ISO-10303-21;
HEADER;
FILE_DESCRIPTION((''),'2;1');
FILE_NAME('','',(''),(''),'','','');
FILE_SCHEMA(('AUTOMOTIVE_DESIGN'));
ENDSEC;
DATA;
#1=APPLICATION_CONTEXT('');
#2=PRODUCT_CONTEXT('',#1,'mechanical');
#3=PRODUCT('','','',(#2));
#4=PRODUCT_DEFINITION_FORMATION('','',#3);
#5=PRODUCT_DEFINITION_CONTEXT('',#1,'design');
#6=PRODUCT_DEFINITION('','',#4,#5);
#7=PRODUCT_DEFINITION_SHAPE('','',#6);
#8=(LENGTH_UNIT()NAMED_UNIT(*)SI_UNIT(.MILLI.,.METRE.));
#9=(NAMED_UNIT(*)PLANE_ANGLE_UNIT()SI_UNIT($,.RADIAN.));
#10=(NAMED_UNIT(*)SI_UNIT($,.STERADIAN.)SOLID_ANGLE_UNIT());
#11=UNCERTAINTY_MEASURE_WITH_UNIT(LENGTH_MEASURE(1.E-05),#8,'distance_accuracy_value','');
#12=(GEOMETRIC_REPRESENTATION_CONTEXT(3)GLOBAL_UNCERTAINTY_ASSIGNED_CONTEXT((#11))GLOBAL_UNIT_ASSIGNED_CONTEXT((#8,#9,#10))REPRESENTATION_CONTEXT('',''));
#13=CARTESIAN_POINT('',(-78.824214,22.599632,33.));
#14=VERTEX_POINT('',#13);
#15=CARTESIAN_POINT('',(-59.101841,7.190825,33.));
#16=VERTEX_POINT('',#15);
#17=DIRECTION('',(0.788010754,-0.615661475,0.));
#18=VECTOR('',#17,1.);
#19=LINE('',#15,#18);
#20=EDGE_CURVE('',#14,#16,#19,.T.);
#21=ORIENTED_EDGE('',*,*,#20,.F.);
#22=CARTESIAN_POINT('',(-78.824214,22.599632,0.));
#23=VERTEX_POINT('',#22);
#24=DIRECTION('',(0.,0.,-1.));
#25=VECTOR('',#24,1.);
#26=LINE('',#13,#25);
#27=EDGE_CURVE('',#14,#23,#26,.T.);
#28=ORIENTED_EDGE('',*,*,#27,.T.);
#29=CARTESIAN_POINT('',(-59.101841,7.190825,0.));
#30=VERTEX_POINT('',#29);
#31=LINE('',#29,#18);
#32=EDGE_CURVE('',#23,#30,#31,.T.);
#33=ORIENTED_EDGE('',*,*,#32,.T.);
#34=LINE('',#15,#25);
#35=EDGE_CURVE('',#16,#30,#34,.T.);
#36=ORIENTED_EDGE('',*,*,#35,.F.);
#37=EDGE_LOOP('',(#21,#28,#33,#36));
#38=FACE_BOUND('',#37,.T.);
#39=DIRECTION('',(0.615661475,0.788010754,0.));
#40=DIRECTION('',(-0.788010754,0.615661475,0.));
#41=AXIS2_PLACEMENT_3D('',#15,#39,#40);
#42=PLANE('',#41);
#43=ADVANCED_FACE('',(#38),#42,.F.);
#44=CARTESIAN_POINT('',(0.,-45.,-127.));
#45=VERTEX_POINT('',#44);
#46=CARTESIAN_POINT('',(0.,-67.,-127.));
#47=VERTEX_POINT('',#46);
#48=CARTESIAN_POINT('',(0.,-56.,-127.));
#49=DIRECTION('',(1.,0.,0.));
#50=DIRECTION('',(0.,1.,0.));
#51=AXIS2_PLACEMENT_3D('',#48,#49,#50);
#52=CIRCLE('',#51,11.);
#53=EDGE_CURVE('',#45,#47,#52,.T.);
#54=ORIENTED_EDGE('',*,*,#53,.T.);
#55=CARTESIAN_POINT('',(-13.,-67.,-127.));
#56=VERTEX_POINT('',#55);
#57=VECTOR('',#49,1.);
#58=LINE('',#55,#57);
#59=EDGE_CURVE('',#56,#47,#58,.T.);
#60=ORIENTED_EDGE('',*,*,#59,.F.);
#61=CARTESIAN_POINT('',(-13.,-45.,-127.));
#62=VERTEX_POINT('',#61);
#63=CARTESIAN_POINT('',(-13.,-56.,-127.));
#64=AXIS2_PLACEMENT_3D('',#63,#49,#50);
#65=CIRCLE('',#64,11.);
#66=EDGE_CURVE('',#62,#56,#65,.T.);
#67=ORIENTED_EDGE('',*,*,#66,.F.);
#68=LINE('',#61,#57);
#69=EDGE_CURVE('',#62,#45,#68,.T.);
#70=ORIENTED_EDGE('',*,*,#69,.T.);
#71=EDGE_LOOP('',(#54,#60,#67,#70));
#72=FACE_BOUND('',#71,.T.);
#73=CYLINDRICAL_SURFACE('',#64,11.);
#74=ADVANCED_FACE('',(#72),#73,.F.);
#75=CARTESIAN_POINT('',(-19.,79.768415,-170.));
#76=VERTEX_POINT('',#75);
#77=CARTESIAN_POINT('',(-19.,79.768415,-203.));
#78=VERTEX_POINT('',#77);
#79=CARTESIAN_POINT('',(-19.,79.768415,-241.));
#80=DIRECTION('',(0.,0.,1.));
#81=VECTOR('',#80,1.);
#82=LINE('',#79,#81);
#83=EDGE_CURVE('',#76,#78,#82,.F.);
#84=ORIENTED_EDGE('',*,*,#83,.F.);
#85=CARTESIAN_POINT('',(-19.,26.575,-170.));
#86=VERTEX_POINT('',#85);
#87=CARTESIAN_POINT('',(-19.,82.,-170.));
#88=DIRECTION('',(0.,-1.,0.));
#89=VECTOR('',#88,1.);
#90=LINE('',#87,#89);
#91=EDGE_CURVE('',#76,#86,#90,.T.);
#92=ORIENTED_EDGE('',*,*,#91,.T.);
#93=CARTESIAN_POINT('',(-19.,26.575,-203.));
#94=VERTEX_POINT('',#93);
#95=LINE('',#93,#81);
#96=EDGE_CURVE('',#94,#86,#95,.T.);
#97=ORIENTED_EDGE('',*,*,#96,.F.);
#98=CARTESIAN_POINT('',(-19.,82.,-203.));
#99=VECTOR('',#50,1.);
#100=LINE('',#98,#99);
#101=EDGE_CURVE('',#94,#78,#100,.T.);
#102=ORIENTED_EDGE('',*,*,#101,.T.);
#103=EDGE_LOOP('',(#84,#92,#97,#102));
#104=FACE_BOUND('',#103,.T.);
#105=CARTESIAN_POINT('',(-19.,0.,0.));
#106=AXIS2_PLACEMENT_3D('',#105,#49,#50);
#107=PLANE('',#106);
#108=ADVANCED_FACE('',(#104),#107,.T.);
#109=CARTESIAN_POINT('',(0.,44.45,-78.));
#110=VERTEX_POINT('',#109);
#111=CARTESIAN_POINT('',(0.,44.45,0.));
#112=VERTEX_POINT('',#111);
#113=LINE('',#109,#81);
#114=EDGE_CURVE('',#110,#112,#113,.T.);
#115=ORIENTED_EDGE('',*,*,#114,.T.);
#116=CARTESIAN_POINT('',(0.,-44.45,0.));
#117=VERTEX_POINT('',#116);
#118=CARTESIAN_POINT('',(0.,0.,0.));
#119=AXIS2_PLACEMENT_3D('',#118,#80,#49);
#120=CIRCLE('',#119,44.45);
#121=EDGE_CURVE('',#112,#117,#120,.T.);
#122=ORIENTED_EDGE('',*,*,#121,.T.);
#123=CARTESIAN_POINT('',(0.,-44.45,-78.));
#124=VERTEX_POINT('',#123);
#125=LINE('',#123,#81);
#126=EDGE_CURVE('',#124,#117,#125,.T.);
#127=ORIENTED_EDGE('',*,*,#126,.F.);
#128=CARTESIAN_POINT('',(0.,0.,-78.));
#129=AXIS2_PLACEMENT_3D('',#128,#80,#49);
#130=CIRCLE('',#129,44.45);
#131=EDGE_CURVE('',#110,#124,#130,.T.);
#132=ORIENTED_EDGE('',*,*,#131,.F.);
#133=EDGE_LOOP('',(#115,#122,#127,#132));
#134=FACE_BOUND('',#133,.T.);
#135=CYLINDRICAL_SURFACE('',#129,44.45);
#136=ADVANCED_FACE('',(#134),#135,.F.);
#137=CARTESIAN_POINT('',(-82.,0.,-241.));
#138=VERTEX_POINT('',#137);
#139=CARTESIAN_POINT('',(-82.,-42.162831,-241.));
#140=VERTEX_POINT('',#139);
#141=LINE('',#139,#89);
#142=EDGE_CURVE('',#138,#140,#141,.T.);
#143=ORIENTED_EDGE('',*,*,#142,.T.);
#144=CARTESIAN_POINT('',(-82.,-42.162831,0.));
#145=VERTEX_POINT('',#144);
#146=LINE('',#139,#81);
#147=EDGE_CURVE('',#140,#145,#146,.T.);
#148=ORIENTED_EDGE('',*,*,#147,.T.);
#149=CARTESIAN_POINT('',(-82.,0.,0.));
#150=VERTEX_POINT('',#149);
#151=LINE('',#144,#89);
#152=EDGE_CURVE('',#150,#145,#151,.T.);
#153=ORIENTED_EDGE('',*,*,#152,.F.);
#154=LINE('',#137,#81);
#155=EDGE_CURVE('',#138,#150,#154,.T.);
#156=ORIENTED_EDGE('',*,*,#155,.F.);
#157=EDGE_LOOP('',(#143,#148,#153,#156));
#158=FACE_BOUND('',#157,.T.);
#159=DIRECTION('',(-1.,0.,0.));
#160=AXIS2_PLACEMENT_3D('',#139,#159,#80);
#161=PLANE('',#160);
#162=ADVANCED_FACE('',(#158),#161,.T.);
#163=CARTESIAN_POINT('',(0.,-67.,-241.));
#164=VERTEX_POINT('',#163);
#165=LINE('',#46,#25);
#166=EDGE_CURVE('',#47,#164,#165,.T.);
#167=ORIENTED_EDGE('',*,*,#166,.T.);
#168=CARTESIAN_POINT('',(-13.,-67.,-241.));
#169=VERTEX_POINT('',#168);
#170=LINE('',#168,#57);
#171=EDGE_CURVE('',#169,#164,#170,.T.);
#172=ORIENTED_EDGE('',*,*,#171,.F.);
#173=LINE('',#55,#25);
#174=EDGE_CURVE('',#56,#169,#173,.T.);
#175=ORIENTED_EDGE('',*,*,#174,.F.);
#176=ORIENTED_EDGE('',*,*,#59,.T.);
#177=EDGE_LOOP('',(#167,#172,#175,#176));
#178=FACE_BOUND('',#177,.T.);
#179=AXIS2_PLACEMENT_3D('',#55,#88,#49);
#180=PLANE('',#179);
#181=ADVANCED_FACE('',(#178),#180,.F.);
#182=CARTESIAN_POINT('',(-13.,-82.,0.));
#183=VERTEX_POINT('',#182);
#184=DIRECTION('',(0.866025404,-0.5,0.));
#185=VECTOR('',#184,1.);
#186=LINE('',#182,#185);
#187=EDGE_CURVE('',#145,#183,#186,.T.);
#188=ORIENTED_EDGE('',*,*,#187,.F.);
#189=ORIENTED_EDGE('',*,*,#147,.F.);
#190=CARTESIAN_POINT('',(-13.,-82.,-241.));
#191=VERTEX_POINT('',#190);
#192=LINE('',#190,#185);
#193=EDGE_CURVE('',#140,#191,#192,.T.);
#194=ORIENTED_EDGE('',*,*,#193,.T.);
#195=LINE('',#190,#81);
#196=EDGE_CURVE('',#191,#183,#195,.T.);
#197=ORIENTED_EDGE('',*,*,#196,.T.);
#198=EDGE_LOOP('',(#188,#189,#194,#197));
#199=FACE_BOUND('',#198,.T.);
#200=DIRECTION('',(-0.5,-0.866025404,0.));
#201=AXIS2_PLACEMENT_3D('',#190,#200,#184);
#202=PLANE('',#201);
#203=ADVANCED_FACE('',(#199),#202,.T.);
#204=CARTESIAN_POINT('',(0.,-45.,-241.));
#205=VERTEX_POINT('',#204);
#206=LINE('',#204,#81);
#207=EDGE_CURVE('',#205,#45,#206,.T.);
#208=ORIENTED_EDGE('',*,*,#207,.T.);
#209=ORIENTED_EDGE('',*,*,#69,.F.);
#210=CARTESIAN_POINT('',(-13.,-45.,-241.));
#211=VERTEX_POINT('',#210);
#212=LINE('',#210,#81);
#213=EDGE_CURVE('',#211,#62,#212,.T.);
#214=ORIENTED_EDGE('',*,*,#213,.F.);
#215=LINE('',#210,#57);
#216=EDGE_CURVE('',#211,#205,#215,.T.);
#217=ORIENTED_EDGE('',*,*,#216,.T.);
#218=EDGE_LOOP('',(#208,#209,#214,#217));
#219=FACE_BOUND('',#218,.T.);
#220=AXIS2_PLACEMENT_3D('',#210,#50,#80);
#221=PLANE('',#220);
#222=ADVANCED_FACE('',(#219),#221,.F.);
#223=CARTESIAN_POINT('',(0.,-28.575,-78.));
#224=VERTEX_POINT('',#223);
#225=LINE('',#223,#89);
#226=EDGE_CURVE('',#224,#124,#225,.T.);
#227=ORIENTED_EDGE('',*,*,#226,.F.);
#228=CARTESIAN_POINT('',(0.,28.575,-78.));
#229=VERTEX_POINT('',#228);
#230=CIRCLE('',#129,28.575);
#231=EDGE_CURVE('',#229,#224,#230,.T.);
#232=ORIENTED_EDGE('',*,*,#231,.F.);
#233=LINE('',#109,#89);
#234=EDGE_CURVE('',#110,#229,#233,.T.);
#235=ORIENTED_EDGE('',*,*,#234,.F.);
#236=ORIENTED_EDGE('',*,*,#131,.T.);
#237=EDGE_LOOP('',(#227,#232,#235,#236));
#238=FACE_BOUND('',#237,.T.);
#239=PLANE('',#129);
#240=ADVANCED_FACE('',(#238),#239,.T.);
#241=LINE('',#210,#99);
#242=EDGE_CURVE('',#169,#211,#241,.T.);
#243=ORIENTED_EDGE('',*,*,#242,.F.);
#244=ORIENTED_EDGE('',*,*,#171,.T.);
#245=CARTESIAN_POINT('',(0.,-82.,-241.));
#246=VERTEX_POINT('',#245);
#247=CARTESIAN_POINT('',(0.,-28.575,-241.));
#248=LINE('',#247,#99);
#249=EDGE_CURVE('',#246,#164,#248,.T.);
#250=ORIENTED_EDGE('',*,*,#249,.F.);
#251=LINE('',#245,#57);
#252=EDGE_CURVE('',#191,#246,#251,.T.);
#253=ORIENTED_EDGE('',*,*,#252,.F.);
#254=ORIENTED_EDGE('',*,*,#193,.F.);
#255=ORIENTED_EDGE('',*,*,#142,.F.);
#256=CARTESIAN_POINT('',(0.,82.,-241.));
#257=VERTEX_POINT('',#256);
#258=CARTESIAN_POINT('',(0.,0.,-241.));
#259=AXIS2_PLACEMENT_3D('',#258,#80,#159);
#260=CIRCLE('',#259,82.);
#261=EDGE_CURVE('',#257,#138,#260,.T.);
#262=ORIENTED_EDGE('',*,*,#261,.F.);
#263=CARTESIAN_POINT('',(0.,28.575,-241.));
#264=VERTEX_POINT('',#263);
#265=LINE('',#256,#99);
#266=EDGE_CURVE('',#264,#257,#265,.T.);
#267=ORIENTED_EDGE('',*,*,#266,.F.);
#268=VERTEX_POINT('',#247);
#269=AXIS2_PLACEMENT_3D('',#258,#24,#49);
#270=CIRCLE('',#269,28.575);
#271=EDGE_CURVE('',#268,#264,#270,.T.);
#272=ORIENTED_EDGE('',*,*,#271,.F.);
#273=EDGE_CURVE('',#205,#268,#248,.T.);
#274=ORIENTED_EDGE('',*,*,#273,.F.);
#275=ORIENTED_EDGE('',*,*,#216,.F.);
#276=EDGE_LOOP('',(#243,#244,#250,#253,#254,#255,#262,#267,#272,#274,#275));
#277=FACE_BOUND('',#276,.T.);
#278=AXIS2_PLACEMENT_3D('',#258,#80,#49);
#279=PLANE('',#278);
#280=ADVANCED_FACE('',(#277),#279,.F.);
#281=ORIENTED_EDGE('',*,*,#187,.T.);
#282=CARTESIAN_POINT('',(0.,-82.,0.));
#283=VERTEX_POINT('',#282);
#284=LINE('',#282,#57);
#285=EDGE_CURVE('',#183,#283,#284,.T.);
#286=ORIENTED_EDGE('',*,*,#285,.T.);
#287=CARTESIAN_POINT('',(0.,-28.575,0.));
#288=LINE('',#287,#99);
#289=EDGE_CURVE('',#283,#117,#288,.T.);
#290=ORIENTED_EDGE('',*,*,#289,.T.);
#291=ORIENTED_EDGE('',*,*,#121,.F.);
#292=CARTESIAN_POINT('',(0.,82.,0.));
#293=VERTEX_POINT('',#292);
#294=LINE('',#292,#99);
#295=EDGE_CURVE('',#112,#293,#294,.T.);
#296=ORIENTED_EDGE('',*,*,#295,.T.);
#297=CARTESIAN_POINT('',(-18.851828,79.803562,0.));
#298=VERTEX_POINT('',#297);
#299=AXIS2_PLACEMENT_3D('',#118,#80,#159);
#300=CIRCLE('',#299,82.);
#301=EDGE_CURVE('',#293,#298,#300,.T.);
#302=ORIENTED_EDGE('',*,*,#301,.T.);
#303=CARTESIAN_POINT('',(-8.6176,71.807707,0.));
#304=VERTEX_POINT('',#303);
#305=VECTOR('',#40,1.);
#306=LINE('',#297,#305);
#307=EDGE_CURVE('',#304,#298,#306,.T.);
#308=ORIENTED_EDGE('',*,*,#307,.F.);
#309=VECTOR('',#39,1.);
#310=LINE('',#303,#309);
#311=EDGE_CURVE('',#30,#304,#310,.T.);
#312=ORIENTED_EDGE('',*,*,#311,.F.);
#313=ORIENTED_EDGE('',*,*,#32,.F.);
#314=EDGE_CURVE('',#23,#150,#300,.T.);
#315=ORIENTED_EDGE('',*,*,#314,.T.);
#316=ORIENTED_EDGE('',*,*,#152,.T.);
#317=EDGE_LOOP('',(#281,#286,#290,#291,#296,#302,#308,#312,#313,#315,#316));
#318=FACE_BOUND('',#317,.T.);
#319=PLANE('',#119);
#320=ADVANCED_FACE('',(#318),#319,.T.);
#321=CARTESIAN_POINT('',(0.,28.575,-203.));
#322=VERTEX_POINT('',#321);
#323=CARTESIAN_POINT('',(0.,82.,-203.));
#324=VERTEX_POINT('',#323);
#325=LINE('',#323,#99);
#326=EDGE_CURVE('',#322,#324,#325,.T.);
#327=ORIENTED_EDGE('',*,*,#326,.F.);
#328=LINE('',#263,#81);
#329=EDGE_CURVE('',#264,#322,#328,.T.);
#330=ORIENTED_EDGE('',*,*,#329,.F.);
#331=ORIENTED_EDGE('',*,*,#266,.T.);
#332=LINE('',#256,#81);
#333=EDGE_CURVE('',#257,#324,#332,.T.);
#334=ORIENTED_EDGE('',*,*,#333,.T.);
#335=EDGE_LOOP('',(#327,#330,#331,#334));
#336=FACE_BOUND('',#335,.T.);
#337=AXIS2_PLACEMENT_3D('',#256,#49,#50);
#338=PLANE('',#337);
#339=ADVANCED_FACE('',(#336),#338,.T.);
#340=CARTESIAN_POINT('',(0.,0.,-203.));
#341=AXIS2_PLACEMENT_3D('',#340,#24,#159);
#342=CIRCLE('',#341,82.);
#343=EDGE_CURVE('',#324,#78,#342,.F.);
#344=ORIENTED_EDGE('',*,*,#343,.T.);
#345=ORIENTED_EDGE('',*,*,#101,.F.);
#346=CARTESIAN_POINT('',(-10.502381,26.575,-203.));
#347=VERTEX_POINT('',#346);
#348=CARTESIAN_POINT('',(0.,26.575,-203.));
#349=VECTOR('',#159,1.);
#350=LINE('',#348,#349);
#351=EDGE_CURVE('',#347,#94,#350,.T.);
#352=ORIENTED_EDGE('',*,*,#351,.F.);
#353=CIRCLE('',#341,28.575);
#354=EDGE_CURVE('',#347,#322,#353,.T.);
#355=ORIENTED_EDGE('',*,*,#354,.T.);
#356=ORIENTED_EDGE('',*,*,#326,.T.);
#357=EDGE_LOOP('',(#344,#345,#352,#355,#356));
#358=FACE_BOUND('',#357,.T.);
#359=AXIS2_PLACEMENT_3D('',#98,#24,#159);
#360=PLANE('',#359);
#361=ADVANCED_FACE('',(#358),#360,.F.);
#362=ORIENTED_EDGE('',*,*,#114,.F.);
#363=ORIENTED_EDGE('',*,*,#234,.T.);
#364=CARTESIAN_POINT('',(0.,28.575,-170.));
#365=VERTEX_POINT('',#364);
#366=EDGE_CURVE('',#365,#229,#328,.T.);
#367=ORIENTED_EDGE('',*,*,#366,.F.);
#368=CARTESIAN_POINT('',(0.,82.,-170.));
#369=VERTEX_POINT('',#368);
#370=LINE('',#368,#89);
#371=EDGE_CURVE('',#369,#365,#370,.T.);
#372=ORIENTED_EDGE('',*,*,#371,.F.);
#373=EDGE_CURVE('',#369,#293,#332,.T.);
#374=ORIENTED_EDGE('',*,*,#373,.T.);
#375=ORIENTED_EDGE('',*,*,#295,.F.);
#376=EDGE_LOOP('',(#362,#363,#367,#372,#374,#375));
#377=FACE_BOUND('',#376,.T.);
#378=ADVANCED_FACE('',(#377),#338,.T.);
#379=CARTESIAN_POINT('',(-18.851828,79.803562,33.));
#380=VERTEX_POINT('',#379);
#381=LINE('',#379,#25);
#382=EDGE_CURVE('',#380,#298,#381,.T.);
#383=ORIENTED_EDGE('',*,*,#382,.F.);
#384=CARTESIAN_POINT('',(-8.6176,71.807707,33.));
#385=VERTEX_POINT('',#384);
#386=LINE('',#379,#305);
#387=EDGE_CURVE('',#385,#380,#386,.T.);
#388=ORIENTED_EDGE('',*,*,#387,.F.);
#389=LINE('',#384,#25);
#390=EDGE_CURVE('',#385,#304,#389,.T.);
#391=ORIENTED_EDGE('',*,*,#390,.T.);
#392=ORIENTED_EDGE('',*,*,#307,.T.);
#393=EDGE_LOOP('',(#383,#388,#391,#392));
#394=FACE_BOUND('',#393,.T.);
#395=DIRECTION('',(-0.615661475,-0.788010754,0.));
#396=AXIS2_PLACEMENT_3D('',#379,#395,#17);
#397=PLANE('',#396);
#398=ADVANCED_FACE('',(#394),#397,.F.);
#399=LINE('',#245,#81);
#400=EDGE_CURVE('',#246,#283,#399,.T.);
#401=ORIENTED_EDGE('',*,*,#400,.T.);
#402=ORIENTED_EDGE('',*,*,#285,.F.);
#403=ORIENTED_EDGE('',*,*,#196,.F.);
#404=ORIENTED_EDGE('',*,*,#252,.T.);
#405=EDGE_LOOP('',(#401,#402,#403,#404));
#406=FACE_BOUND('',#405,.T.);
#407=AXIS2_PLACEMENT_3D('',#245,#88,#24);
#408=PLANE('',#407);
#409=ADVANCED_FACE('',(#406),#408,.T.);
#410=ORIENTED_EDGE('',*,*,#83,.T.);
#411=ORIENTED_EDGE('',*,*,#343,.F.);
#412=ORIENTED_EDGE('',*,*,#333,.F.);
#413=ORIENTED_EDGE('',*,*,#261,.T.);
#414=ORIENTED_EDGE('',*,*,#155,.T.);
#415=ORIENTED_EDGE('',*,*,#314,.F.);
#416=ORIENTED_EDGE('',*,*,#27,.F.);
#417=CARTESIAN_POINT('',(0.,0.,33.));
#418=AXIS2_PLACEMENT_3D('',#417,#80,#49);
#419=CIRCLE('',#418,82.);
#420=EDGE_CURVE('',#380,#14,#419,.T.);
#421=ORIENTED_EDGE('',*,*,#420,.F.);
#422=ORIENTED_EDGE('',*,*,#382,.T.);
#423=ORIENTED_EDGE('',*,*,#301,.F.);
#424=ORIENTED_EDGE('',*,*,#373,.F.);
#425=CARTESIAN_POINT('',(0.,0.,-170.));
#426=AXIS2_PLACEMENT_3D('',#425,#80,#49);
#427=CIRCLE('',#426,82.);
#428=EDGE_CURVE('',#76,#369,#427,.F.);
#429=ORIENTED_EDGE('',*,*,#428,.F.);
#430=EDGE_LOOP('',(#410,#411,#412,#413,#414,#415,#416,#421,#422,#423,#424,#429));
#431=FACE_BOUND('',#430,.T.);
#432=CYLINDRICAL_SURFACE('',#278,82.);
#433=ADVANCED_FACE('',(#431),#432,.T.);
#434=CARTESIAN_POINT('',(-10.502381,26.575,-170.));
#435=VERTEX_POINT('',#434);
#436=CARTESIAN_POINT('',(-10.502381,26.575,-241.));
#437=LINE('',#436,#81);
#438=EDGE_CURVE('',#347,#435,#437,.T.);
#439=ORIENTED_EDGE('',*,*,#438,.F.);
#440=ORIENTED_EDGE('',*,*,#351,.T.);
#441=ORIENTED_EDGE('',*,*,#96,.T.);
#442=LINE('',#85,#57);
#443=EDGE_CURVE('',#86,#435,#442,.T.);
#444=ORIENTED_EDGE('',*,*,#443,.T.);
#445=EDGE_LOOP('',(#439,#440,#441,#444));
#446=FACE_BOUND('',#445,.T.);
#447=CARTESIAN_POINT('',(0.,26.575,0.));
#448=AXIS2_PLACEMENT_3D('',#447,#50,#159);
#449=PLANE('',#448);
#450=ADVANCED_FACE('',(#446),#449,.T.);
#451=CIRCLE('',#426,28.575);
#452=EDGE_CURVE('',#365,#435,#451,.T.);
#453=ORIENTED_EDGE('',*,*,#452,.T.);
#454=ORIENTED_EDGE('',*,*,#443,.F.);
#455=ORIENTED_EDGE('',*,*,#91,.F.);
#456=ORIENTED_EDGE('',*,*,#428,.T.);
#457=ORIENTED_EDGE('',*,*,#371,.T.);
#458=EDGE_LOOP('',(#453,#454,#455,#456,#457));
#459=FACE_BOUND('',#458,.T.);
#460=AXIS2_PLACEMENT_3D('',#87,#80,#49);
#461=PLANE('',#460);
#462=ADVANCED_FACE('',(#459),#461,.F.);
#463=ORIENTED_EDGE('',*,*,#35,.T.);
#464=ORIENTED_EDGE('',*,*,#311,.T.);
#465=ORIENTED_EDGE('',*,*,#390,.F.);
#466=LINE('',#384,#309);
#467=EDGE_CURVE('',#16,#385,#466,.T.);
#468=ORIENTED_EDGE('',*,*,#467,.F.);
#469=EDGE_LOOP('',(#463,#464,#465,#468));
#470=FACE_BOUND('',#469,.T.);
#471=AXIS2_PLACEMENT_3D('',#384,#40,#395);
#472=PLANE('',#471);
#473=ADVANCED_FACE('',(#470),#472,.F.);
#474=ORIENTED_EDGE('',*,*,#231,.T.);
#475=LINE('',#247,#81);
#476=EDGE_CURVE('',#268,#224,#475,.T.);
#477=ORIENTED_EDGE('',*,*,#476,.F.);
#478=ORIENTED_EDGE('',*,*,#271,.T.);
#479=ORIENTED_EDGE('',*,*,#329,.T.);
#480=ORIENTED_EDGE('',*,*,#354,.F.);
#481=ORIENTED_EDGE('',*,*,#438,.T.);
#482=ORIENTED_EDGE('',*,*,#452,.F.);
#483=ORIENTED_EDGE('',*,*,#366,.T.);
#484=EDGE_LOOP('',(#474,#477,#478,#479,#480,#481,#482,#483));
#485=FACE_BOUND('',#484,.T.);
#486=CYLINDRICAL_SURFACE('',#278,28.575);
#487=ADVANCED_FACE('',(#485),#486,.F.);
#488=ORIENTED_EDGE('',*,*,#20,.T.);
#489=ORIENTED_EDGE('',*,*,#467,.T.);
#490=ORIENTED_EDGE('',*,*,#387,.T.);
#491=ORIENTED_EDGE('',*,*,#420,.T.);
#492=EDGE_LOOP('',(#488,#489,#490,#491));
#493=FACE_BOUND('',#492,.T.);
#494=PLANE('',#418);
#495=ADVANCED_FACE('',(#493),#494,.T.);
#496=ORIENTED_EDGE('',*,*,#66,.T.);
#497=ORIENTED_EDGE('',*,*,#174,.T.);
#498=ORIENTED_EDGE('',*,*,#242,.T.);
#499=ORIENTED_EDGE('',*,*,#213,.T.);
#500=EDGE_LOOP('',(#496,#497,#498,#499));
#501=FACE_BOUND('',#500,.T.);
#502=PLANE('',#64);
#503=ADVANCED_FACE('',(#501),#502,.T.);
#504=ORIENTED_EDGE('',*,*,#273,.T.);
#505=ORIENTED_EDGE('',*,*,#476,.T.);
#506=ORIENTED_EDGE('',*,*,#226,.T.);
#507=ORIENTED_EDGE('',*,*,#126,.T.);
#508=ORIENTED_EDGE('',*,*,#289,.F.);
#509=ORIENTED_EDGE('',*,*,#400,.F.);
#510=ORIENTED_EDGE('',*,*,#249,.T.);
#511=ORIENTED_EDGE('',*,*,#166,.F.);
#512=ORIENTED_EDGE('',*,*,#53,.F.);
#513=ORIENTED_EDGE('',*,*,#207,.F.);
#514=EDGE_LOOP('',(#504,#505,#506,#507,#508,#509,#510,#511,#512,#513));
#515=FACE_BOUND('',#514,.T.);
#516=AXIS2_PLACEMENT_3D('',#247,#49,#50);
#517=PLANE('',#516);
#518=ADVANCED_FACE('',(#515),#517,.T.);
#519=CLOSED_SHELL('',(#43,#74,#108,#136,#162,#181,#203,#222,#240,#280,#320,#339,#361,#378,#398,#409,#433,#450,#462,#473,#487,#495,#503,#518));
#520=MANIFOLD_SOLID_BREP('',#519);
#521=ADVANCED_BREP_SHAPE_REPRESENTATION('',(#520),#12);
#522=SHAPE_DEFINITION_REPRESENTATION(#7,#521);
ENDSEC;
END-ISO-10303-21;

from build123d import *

# Parameters (mm, degrees)
BOSS_EXTRUDE1_DEPTH = 241
CUT_EXTRUDE1_DEPTH  = 78
BOSS_EXTRUDE2_START = 33
BOSS_EXTRUDE2_DEPTH = 33
SKETCH5_W           = 33
SKETCH5_H           = 53.425
CUT_EXTRUDE2_DEPTH  = 19
SKETCH7_W           = 19
SKETCH7_H           = 33
CUT_EXTRUDE3_DEPTH  = 2
CUT_EXTRUDE4_DEPTH  = 13


with BuildPart() as part:
    # Sketch2 → Boss-Extrude1 (new body)
    with BuildSketch(Plane.XY):
        with BuildLine():
            Line((0, -28.575), (0, -82))
            Line((0, -82), (-13, -82))
            Line((-13, -82), (-82, -42.162831426))
            Line((-82, -42.162831426), (-82, 0))
            ThreePointArc((-82, 0), (-57.982756057, 57.982756057), (0, 82))
            Line((0, 82), (0, 28.575))
            ThreePointArc((0, 28.575), (-28.575, 0), (0, -28.575))
        make_face()
    extrude(amount=-BOSS_EXTRUDE1_DEPTH)

    # Sketch3 → Cut-Extrude1 (cut)
    with BuildSketch(Plane.XY):
        with BuildLine():
            Line((0, 44.45), (0, 28.575))
            ThreePointArc((0, 28.575), (-28.575, 0), (0, -28.575))
            Line((0, -28.575), (0, -44.45))
            ThreePointArc((0, -44.45), (-44.45, 0), (0, 44.45))
        make_face()
    extrude(amount=-CUT_EXTRUDE1_DEPTH, mode=Mode.SUBTRACT)

    # Sketch4 → Boss-Extrude2 (add)
    with BuildSketch(Plane.XY.offset(BOSS_EXTRUDE2_START)):
        with BuildLine():
            Line((-18.851828073, 79.803562441), (-8.61759969, 71.807706907))
            Line((-8.61759969, 71.807706907), (-59.101840666, 7.190825111))
            Line((-59.101840666, 7.190825111), (-78.824213609, 22.599631612))
            ThreePointArc((-78.824213609, 22.599631612), (-56.597037955, 59.336121332), (-18.851828073, 79.803562441))
        make_face()
    extrude(amount=-BOSS_EXTRUDE2_DEPTH)

    # Sketch5 → Cut-Extrude2 (cut)
    with BuildSketch(Plane(origin=(0, 0, 0), x_dir=(0, 0, -1), z_dir=(1, 0, 0))):
        with Locations((186.5, 55.2875)):
            Rectangle(SKETCH5_W, SKETCH5_H)
    extrude(amount=-CUT_EXTRUDE2_DEPTH, mode=Mode.SUBTRACT)

    # Sketch7 → Cut-Extrude3 (cut)
    with BuildSketch(Plane(origin=(0, 28.575, 0), x_dir=(1, 0, 0), z_dir=(0, 1, 0))):
        with Locations((-9.5, 186.5)):
            Rectangle(SKETCH7_W, SKETCH7_H)
    extrude(amount=-CUT_EXTRUDE3_DEPTH, mode=Mode.SUBTRACT)

    # Sketch8 → Cut-Extrude4 (cut)
    with BuildSketch(Plane(origin=(0, 0, 0), x_dir=(0, 0, -1), z_dir=(1, 0, 0))):
        with BuildLine():
            Line((241, -45), (127, -45))
            ThreePointArc((127, -45), (116, -56), (127, -67))
            Line((127, -67), (241, -67))
            Line((241, -67), (241, -45))
        make_face()
    extrude(amount=-CUT_EXTRUDE4_DEPTH, mode=Mode.SUBTRACT)


solid = part.part
